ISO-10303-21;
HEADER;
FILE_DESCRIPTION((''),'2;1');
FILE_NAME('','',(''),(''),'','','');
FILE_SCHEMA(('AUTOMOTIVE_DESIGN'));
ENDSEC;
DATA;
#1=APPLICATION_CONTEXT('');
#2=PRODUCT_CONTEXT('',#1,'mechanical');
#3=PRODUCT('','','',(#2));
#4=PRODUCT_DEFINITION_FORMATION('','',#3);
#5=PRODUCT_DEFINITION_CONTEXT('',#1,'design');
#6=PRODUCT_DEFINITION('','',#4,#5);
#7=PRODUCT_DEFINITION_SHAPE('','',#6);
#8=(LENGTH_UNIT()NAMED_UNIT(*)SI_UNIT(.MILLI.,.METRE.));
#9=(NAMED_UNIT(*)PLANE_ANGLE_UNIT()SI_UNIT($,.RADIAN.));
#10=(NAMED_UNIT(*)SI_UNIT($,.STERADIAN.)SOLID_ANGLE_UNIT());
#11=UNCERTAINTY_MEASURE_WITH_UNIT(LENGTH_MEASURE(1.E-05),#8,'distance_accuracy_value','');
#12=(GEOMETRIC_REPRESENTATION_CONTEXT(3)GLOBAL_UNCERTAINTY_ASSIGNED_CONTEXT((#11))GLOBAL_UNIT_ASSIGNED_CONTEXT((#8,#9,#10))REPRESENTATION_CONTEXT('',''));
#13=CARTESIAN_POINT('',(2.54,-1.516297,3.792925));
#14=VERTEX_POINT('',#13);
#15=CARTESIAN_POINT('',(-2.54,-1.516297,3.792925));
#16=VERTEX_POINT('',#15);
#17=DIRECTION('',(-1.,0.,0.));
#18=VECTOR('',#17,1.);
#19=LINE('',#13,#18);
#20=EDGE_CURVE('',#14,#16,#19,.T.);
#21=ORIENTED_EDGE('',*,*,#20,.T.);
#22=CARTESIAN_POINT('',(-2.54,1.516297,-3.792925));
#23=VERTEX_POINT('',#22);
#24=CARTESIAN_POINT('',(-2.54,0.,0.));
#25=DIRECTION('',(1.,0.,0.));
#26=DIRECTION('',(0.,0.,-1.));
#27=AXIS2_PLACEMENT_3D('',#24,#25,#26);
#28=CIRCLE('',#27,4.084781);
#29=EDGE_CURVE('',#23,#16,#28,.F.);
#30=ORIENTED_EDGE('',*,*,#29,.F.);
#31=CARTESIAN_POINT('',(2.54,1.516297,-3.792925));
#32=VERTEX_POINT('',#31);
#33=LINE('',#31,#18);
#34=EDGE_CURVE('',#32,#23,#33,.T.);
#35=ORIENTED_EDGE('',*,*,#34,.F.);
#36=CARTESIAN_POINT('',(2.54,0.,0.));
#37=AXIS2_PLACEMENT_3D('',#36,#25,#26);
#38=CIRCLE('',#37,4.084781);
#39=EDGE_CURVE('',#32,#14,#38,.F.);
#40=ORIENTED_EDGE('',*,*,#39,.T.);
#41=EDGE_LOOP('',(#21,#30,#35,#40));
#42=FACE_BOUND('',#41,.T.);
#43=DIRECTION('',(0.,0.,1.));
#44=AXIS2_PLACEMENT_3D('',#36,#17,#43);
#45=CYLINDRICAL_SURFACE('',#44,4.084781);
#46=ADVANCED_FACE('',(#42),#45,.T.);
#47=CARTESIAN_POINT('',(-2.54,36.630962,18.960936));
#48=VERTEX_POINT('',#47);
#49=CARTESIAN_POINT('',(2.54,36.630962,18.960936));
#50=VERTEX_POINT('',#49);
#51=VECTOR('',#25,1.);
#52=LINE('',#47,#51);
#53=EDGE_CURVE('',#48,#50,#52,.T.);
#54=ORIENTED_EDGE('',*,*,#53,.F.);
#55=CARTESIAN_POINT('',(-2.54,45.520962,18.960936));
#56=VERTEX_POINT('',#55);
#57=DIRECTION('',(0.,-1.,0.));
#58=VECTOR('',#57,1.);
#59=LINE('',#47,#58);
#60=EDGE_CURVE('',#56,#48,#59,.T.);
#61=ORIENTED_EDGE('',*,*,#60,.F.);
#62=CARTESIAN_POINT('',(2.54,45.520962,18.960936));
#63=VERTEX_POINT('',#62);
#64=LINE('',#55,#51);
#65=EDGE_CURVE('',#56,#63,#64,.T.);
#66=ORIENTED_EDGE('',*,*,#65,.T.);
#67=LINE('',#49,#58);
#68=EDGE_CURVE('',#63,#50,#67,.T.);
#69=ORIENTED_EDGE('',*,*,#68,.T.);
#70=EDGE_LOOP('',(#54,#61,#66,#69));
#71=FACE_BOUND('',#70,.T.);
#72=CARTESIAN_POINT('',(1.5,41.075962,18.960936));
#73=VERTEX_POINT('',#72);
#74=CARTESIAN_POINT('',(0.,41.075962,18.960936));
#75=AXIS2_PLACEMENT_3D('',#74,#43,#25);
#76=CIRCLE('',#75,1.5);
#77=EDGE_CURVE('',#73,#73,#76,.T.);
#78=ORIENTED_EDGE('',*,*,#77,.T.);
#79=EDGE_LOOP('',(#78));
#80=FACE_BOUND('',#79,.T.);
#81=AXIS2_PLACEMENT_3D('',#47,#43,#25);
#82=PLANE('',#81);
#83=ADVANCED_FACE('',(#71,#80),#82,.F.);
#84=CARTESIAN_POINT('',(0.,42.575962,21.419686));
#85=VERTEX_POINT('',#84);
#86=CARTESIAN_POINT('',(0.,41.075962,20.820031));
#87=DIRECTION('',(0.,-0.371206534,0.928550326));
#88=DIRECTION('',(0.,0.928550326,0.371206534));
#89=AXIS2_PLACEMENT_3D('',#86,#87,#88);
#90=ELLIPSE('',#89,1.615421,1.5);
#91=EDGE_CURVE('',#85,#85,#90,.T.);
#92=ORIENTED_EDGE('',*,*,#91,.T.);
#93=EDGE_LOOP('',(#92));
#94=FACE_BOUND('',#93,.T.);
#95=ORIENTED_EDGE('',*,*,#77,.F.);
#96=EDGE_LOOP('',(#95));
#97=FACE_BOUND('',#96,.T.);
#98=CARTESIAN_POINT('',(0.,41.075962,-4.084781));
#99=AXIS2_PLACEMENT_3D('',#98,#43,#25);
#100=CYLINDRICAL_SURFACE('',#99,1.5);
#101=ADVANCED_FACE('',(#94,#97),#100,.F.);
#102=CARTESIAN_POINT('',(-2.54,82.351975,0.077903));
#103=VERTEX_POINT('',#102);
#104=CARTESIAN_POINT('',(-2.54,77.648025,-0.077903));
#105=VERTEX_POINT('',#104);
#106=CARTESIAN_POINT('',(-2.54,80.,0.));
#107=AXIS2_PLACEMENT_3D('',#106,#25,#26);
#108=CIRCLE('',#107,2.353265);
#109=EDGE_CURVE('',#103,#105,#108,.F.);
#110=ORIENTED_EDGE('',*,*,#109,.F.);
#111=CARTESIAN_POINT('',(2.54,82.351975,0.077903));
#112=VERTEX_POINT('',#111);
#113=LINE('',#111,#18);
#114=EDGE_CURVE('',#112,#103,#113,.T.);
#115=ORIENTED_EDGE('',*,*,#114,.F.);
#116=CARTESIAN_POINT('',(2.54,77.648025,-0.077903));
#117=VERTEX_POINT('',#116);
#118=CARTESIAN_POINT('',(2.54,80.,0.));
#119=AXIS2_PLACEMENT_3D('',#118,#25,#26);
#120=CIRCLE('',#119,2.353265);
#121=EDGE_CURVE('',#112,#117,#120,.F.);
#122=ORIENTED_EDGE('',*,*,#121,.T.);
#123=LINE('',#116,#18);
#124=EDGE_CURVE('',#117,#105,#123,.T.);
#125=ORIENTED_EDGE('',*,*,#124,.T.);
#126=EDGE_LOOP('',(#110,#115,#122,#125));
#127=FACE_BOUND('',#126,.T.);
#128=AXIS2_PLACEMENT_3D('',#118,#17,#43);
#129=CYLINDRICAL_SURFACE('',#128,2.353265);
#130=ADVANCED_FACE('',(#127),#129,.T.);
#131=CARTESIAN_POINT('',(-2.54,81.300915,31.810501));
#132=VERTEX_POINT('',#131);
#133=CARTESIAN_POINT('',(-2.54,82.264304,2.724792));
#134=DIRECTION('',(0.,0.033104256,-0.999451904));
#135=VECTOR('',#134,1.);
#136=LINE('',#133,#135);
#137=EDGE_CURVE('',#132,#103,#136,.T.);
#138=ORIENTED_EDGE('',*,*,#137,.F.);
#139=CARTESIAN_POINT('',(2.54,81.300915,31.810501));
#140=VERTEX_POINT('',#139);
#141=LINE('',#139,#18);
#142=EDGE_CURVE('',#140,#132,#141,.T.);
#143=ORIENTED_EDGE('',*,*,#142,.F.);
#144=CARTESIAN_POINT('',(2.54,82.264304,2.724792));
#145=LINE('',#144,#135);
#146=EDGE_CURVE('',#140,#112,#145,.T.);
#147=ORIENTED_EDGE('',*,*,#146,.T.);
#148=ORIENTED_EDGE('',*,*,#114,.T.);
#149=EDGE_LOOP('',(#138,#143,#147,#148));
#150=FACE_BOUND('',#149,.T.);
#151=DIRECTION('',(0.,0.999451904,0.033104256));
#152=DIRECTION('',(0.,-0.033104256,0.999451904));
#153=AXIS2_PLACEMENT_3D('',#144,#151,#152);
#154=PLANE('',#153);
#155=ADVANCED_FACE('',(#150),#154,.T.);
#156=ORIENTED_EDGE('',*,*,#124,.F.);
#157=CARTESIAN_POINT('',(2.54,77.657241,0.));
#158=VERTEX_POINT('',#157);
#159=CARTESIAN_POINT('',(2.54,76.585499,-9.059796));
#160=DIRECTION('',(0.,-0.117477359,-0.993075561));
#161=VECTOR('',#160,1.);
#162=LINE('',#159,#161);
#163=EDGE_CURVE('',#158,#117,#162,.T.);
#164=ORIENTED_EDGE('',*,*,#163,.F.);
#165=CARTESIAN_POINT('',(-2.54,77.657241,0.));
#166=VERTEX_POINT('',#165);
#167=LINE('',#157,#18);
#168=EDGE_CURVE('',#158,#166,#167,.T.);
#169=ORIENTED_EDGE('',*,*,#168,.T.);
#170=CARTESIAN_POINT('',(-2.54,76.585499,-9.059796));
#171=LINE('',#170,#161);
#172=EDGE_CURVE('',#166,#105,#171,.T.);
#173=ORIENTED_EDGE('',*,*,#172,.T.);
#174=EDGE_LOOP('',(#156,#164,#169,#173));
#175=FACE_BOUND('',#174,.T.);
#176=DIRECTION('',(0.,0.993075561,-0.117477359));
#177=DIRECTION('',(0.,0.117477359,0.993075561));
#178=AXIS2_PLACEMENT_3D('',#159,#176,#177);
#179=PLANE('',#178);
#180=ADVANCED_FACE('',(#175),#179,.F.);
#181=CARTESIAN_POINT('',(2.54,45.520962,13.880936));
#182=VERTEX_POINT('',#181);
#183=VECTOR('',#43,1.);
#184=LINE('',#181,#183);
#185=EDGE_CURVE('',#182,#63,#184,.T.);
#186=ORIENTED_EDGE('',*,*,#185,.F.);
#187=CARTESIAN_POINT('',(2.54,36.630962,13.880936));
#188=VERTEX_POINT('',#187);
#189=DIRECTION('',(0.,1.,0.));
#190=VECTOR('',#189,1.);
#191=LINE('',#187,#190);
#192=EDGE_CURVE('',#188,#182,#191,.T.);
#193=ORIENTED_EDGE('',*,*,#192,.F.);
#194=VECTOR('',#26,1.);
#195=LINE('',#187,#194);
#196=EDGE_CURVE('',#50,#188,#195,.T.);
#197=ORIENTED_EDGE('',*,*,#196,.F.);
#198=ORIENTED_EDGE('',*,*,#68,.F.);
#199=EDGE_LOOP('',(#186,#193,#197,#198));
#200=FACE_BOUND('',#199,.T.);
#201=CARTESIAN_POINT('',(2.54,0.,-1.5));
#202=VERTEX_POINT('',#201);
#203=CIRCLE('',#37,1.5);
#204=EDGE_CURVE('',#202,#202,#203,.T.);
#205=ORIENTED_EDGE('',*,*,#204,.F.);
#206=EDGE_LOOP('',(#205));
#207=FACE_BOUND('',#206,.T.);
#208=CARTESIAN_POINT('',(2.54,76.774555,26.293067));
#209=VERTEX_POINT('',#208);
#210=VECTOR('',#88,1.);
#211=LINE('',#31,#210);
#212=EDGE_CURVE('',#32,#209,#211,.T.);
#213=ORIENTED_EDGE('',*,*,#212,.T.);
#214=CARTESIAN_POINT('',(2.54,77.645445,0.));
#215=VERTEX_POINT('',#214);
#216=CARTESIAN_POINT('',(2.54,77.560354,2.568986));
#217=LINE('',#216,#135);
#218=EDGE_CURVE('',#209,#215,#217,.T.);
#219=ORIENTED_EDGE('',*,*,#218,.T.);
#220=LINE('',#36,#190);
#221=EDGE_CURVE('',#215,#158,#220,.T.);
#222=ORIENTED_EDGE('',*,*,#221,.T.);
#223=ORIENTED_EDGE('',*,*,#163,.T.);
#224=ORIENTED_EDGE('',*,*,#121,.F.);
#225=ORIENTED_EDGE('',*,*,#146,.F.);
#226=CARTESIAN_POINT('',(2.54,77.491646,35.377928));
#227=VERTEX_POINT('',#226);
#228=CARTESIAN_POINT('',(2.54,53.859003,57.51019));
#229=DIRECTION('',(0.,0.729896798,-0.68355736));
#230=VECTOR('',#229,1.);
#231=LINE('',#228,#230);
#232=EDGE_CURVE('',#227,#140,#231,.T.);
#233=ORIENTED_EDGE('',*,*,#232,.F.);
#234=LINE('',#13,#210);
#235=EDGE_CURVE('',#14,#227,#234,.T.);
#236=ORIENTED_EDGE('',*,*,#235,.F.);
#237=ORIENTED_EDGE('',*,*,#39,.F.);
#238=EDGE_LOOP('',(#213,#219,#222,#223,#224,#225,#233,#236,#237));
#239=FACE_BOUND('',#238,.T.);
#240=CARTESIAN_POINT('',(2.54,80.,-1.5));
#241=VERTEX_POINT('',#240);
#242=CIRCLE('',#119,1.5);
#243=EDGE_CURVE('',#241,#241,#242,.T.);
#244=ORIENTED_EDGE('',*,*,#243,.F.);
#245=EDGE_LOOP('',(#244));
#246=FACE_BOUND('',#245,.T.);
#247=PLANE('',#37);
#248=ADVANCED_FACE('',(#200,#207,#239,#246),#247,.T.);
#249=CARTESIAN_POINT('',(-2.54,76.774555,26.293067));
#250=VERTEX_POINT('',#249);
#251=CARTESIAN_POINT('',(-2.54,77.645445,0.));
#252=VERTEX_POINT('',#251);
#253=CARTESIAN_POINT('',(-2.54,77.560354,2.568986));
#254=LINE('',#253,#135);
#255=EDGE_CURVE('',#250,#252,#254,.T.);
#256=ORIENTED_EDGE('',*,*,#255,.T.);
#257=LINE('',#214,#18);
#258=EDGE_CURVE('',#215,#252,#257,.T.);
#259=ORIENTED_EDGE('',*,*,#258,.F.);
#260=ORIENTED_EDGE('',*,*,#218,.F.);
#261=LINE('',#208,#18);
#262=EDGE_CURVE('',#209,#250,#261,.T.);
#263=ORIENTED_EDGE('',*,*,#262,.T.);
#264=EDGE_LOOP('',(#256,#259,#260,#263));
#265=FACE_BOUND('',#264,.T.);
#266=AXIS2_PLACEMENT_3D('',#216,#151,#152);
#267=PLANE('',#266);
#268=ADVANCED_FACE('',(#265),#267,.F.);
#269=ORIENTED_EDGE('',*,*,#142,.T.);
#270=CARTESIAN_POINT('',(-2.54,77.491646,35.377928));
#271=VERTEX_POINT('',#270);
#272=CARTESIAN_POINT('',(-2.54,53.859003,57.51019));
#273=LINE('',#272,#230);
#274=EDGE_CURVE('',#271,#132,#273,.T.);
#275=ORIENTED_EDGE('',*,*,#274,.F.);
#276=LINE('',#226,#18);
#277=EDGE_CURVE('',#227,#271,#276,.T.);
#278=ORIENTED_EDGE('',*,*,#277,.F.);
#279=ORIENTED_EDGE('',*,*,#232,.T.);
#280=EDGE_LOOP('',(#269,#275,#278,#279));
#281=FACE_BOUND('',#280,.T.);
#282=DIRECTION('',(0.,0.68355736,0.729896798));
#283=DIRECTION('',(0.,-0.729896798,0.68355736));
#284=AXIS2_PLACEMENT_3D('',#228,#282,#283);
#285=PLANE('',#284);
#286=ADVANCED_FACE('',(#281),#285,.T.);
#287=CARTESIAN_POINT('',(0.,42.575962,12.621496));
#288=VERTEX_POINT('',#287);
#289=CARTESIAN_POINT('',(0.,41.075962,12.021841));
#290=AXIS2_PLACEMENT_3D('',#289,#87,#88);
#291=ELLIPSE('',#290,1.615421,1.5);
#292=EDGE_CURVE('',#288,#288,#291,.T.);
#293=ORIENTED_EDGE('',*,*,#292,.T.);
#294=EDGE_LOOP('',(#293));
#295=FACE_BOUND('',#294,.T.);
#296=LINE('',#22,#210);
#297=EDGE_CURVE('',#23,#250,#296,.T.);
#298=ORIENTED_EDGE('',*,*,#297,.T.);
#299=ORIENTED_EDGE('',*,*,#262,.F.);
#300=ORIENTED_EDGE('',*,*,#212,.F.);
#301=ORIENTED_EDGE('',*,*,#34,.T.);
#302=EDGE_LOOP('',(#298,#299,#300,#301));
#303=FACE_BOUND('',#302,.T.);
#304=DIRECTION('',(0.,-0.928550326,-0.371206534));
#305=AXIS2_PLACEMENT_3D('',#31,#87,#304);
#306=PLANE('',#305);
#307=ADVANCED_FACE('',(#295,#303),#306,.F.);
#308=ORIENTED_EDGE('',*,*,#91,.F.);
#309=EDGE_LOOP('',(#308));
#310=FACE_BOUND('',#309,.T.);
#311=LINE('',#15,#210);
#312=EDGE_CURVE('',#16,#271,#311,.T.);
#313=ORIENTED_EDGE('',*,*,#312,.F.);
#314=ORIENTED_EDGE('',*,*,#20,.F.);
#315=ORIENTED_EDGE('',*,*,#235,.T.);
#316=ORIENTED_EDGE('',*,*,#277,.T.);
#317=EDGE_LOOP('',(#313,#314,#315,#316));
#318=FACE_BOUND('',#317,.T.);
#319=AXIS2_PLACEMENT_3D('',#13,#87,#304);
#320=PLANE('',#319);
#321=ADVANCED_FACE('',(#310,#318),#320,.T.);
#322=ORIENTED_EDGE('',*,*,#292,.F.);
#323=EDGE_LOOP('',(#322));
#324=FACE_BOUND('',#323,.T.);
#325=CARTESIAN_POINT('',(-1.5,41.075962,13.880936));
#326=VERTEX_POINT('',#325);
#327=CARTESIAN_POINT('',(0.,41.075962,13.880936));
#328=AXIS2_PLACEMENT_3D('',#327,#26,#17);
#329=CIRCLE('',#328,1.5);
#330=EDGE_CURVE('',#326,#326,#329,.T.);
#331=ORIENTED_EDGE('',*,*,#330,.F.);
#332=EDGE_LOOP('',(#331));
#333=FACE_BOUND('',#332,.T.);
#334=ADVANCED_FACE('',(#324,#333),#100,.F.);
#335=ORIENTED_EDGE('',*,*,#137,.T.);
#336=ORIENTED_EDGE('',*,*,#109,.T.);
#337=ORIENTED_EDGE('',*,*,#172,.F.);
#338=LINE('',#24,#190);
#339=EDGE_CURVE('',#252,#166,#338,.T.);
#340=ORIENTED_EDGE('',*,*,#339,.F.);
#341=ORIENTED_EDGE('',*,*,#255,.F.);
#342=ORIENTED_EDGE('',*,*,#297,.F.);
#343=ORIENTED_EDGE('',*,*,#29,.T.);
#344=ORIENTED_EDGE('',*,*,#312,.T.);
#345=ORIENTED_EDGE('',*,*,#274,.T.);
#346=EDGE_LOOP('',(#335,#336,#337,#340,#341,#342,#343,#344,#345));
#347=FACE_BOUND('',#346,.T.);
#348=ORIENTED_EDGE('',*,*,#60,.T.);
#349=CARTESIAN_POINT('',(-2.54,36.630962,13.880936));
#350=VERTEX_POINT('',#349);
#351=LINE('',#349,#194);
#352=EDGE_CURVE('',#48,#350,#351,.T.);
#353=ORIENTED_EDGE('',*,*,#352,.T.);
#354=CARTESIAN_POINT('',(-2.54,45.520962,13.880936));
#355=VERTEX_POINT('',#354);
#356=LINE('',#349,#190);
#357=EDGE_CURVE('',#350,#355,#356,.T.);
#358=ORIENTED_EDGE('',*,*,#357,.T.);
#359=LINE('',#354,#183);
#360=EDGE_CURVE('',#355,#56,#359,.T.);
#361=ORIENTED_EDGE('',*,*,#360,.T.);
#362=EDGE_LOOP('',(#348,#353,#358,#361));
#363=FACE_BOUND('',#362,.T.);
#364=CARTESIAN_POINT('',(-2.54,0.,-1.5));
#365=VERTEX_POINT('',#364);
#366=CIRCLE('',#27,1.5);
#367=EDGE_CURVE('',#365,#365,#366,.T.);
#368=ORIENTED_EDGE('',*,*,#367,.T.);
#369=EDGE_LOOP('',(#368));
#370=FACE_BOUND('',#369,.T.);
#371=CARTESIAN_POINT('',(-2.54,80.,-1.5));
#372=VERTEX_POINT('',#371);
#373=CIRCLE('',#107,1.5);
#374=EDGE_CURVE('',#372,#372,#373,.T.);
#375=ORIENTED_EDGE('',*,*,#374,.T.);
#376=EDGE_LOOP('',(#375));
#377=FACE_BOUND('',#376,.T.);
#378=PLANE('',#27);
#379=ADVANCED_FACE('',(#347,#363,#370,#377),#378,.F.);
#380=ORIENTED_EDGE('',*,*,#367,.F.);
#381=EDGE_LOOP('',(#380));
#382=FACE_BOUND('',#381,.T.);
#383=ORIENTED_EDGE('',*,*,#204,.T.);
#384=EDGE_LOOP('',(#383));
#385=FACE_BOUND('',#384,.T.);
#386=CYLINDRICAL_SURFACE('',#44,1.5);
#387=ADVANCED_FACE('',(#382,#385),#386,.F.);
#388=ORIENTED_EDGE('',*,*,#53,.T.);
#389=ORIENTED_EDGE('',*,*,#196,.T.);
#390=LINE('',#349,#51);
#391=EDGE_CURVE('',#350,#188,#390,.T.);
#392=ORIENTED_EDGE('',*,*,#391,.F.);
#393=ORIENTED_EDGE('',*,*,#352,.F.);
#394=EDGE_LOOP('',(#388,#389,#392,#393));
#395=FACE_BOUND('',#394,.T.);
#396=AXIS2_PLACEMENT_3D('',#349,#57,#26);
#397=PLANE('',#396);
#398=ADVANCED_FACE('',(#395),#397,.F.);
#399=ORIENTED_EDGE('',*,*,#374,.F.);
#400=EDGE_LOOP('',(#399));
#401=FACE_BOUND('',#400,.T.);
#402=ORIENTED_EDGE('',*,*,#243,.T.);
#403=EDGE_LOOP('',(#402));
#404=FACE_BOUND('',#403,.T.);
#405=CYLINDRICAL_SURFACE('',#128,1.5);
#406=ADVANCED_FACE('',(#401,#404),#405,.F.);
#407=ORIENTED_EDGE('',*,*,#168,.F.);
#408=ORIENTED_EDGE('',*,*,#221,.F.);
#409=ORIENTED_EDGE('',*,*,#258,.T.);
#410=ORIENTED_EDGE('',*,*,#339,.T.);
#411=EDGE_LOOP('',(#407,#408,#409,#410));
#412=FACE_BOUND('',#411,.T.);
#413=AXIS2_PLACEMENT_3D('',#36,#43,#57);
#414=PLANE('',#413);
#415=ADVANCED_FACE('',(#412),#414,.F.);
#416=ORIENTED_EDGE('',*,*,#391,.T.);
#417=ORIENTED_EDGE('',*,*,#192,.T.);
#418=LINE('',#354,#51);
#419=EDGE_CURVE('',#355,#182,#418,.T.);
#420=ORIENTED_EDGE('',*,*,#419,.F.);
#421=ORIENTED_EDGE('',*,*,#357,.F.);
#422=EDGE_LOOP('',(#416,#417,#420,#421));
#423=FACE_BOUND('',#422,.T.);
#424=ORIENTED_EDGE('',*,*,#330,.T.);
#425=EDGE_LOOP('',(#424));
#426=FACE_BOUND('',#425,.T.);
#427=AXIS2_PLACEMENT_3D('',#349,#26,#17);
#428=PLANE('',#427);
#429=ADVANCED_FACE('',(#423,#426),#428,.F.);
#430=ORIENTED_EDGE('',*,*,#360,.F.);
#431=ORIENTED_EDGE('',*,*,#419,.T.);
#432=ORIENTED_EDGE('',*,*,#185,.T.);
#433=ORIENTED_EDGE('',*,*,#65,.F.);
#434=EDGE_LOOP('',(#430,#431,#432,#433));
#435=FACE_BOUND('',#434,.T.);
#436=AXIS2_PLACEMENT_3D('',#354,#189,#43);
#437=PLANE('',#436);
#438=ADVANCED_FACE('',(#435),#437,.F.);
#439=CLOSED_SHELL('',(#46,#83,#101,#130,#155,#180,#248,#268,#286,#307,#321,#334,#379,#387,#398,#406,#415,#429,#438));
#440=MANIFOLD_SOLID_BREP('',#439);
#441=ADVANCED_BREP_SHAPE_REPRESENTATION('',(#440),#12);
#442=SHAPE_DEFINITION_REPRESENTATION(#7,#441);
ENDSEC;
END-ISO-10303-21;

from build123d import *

# Parameters (mm, degrees)
BOSS_EXTRUDE1_DEPTH     = 2.54
SKETCH2_W               = 5.08
SKETCH2_H               = 8.89
CUT_EXTRUDE1_DEPTH      = 5.08
CUT_EXTRUDE2_DEPTH      = 86.150645665
CUT_EXTRUDE2_DEPTH_BACK = 86.150645665
SKETCH3_R               = 1.5


with BuildPart() as part:
    # Sketch1 → Boss-Extrude1 (new, symmetric)
    with BuildSketch(Plane(origin=(0, 0, 0), x_dir=(0, 0, -1), z_dir=(1, 0, 0))):
        with BuildLine():
            ThreePointArc((-3.792924612, -1.516297351), (1.516297351, -3.792924612), (3.792924612, 1.516297351))
            Line((3.792924612, 1.516297351), (0, 11.004065103))
            Line((0, 11.004065103), (-26.293066659, 76.774555024))
            Line((-26.293066659, 76.774555024), (0, 77.645444775))
            Line((0, 77.645444775), (0, 77.657240774))
            Line((0, 77.657240774), (0.077903078, 77.648025113))
            ThreePointArc((0.077903078, 77.648025113), (2.351974887, 80.077903078), (-0.077903078, 82.351974887))
            Line((-0.077903078, 82.351974887), (-31.810501027, 81.300914746))
            Line((-31.810501027, 81.300914746), (-35.377927791, 77.491646464))
            Line((-35.377927791, 77.491646464), (-3.792924612, -1.516297351))
        make_face()
        with BuildLine():
            ThreePointArc((1.5, 0), (-1.060660172, -1.060660172), (0, 1.5))
            ThreePointArc((0, 1.5), (1.060660172, 1.060660172), (1.5, 0))
        make_face(mode=Mode.SUBTRACT)
        with BuildLine():
            ThreePointArc((1.5, 80), (1.060660172, 78.939339828), (0, 78.5))
            ThreePointArc((0, 78.5), (-1.060660172, 81.060660172), (1.5, 80))
        make_face(mode=Mode.SUBTRACT)
    extrude(amount=BOSS_EXTRUDE1_DEPTH, both=True)

    # Sketch2 → Cut-Extrude1 (cut)
    with BuildSketch(Plane(origin=(2.54, 0, 0), x_dir=(0, 0, -1), z_dir=(1, 0, 0))):
        with Locations((-16.420936138, 41.075962298)):
            Rectangle(SKETCH2_W, SKETCH2_H)
    extrude(amount=-CUT_EXTRUDE1_DEPTH, mode=Mode.SUBTRACT)

    # Sketch3 → Cut-Extrude2 (cut, two sides: drawn at the far end of the back side and taken through both)
    with BuildSketch(Plane.XY.offset(13.880936138).offset(-CUT_EXTRUDE2_DEPTH_BACK)):
        with Locations(Location((0, 41.075962298, 0), (0, 0, 90))):
            Circle(SKETCH3_R)
    extrude(amount=CUT_EXTRUDE2_DEPTH + CUT_EXTRUDE2_DEPTH_BACK, mode=Mode.SUBTRACT)


solid = part.part
